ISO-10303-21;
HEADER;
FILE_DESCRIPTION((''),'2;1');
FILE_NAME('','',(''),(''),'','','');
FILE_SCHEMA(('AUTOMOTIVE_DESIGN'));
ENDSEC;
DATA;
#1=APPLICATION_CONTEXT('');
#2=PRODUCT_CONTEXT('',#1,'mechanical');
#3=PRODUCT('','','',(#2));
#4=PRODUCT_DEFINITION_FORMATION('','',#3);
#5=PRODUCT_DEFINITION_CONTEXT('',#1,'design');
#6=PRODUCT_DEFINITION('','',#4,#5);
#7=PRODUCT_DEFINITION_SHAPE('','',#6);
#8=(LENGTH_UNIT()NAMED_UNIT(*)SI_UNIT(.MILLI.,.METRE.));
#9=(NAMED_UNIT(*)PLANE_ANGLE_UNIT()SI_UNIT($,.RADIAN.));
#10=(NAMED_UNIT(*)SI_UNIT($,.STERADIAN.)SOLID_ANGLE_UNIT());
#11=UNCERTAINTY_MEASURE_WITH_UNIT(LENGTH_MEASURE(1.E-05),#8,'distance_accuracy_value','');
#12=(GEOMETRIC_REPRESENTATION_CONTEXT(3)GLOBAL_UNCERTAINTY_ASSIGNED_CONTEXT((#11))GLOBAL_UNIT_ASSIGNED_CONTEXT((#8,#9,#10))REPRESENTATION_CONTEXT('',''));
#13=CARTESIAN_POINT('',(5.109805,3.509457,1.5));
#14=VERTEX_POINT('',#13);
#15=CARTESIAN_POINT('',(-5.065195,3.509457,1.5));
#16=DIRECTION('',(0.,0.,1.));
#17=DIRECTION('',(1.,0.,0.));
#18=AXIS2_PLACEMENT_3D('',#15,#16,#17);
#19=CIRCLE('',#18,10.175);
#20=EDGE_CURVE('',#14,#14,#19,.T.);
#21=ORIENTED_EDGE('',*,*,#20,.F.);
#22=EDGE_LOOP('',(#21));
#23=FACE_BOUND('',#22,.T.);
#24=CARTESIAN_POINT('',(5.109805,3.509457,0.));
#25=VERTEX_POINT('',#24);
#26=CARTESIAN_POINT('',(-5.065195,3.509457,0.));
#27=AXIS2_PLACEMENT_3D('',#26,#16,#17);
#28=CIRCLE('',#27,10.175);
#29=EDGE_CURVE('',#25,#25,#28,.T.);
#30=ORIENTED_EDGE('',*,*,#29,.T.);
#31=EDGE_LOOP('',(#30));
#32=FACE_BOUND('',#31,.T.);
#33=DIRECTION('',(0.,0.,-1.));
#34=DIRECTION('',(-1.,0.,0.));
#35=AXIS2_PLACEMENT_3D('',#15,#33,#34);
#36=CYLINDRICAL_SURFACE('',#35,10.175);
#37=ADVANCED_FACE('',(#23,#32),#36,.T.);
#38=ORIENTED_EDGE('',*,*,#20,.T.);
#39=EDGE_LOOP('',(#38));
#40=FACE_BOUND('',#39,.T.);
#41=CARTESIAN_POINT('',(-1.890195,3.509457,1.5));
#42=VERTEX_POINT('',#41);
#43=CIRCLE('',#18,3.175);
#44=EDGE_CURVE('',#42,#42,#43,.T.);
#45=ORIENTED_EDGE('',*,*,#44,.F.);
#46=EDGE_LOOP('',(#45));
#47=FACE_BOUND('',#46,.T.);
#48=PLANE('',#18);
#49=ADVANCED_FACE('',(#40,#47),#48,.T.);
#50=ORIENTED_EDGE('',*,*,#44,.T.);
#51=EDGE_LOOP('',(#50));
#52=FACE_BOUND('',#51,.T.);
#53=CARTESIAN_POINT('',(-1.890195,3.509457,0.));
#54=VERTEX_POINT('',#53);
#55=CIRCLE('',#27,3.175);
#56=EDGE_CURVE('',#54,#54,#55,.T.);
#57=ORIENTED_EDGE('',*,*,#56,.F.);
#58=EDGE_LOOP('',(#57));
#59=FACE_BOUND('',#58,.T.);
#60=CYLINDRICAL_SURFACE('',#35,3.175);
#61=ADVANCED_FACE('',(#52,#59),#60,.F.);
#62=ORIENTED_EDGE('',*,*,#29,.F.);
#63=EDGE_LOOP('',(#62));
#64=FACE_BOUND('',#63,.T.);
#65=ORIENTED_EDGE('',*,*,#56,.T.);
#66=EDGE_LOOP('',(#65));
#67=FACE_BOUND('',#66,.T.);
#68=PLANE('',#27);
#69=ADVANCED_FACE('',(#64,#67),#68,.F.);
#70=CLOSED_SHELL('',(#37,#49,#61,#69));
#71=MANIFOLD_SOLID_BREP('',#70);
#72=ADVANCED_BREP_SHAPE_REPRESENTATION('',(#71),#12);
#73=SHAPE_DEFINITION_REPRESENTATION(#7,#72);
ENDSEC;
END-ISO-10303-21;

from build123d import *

# Parameters (mm, degrees)
SKETCH1_R           = 10.175
SKETCH1_R_2         = 3.175
BOSS_EXTRUDE1_DEPTH = 1.5


with BuildPart() as part:
    # Sketch1 → Boss-Extrude1 (new body)
    with BuildSketch(Plane.XY):
        with Locations((-5.065195061, 3.509456578)):
            Circle(SKETCH1_R)
        with Locations((-5.065195061, 3.509456578)):
            Circle(SKETCH1_R_2, mode=Mode.SUBTRACT)
    extrude(amount=BOSS_EXTRUDE1_DEPTH)


solid = part.part
